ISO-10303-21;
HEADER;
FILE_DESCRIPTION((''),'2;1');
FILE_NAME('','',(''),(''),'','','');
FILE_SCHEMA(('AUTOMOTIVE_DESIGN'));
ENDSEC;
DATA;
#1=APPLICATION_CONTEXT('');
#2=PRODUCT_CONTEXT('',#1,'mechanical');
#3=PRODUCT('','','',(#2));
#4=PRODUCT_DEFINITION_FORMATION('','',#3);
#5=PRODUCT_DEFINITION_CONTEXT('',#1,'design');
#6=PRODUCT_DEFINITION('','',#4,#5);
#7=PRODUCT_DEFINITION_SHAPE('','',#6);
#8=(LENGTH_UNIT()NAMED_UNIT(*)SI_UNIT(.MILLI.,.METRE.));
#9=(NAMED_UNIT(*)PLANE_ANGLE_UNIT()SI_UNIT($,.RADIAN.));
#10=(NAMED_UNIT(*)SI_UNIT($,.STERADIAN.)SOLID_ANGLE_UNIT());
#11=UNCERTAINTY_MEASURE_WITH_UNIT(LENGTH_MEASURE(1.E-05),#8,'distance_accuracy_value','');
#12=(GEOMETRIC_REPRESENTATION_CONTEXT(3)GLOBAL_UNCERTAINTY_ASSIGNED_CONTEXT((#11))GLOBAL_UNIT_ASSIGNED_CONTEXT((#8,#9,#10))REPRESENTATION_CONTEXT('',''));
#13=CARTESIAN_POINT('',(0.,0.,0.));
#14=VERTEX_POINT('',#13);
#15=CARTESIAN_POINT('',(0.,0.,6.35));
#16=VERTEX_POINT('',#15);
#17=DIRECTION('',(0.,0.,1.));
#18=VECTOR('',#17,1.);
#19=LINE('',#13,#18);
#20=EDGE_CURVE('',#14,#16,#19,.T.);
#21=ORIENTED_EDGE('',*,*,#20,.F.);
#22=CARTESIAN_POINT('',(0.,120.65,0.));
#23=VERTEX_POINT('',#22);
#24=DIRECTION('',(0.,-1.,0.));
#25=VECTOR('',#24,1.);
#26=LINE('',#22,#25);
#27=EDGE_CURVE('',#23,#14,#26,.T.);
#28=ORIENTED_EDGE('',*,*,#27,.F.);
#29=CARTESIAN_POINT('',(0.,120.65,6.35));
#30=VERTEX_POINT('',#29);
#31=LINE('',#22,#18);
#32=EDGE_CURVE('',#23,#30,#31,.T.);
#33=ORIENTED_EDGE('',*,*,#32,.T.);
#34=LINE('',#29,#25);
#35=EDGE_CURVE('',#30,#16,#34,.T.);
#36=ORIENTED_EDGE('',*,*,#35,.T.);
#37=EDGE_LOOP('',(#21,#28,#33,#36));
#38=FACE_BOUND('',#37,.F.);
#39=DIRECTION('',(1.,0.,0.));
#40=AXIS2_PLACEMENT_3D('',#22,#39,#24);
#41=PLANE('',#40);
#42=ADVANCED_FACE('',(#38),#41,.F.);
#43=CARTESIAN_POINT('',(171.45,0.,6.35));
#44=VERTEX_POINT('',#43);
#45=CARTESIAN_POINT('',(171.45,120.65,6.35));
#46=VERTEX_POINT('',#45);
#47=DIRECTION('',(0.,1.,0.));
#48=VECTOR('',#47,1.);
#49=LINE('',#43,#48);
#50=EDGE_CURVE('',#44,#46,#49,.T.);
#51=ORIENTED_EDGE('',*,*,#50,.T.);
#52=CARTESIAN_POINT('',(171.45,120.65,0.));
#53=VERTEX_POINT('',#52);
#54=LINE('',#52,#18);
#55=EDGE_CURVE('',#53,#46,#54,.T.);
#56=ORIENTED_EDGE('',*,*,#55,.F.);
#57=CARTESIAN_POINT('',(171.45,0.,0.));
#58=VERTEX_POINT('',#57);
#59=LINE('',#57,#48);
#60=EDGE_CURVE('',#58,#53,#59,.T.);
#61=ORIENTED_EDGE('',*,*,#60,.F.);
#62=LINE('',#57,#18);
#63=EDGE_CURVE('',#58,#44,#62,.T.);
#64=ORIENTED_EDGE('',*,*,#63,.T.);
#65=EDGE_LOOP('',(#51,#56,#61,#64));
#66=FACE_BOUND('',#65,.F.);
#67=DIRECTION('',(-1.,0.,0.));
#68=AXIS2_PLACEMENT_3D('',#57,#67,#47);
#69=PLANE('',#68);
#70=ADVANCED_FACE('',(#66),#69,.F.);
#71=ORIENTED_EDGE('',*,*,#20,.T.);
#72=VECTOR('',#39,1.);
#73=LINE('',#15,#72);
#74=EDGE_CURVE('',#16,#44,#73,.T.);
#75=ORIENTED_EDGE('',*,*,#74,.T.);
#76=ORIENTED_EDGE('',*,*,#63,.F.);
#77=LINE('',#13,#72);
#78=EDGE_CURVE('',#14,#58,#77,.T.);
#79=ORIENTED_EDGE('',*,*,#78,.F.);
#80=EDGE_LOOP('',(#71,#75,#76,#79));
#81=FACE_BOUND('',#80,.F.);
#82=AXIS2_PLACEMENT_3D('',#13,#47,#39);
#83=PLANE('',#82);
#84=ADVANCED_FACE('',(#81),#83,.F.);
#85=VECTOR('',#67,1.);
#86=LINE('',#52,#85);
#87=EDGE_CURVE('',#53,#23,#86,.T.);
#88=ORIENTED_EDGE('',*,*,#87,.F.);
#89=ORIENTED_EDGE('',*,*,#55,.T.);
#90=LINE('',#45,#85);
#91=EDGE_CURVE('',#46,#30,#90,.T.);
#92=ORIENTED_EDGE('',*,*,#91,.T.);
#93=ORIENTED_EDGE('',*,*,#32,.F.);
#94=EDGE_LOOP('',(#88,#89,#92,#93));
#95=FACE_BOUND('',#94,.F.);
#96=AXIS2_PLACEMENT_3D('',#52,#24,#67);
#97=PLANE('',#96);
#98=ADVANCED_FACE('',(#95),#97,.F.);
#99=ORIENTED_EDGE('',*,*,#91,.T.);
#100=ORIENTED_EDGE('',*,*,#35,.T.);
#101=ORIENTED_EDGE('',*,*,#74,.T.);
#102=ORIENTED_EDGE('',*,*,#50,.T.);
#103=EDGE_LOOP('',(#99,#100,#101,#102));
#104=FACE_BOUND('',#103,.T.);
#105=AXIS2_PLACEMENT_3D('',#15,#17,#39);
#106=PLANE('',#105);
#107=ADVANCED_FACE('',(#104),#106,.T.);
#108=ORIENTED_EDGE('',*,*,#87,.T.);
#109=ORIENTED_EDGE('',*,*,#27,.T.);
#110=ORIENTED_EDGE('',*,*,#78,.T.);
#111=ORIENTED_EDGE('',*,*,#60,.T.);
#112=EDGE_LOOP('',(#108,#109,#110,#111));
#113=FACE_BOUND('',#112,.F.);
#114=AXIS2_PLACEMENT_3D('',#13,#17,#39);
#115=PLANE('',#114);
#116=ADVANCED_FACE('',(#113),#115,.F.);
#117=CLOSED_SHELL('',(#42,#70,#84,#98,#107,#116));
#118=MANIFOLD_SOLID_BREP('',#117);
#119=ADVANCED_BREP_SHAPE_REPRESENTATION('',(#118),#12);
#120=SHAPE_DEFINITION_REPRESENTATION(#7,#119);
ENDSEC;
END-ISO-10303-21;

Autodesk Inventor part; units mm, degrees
ref_plane "YZ Plane" through (0, 0, 0) normal (1, 0, 0) x (0, 1, 0)
ref_plane "XZ Plane" through (0, 0, 0) normal (0, 1, 0) x (-1, 0, 0)
ref_plane "XY Plane" through (0, 0, 0) normal (0, 0, 1) x (1, 0, 0)
sketch "Sketch1" plane through (0, 0, 0) normal (0, 0, 1) x (1, 0, 0)
  line L0 (0, 0) -> (171.45, 0)
  line L1 (171.45, 0) -> (171.45, 120.65)
  line L2 (171.45, 120.65) -> (0, 120.65)
  line L3 (0, 120.65) -> (0, 0)
  dimension "d0" = 171.45
  dimension "d1" = 120.65
extrude "Extrusion1" add sketch "Sketch1" along normal blind 6.35
properties part number "wall 5" material "Aluminum 6061"
